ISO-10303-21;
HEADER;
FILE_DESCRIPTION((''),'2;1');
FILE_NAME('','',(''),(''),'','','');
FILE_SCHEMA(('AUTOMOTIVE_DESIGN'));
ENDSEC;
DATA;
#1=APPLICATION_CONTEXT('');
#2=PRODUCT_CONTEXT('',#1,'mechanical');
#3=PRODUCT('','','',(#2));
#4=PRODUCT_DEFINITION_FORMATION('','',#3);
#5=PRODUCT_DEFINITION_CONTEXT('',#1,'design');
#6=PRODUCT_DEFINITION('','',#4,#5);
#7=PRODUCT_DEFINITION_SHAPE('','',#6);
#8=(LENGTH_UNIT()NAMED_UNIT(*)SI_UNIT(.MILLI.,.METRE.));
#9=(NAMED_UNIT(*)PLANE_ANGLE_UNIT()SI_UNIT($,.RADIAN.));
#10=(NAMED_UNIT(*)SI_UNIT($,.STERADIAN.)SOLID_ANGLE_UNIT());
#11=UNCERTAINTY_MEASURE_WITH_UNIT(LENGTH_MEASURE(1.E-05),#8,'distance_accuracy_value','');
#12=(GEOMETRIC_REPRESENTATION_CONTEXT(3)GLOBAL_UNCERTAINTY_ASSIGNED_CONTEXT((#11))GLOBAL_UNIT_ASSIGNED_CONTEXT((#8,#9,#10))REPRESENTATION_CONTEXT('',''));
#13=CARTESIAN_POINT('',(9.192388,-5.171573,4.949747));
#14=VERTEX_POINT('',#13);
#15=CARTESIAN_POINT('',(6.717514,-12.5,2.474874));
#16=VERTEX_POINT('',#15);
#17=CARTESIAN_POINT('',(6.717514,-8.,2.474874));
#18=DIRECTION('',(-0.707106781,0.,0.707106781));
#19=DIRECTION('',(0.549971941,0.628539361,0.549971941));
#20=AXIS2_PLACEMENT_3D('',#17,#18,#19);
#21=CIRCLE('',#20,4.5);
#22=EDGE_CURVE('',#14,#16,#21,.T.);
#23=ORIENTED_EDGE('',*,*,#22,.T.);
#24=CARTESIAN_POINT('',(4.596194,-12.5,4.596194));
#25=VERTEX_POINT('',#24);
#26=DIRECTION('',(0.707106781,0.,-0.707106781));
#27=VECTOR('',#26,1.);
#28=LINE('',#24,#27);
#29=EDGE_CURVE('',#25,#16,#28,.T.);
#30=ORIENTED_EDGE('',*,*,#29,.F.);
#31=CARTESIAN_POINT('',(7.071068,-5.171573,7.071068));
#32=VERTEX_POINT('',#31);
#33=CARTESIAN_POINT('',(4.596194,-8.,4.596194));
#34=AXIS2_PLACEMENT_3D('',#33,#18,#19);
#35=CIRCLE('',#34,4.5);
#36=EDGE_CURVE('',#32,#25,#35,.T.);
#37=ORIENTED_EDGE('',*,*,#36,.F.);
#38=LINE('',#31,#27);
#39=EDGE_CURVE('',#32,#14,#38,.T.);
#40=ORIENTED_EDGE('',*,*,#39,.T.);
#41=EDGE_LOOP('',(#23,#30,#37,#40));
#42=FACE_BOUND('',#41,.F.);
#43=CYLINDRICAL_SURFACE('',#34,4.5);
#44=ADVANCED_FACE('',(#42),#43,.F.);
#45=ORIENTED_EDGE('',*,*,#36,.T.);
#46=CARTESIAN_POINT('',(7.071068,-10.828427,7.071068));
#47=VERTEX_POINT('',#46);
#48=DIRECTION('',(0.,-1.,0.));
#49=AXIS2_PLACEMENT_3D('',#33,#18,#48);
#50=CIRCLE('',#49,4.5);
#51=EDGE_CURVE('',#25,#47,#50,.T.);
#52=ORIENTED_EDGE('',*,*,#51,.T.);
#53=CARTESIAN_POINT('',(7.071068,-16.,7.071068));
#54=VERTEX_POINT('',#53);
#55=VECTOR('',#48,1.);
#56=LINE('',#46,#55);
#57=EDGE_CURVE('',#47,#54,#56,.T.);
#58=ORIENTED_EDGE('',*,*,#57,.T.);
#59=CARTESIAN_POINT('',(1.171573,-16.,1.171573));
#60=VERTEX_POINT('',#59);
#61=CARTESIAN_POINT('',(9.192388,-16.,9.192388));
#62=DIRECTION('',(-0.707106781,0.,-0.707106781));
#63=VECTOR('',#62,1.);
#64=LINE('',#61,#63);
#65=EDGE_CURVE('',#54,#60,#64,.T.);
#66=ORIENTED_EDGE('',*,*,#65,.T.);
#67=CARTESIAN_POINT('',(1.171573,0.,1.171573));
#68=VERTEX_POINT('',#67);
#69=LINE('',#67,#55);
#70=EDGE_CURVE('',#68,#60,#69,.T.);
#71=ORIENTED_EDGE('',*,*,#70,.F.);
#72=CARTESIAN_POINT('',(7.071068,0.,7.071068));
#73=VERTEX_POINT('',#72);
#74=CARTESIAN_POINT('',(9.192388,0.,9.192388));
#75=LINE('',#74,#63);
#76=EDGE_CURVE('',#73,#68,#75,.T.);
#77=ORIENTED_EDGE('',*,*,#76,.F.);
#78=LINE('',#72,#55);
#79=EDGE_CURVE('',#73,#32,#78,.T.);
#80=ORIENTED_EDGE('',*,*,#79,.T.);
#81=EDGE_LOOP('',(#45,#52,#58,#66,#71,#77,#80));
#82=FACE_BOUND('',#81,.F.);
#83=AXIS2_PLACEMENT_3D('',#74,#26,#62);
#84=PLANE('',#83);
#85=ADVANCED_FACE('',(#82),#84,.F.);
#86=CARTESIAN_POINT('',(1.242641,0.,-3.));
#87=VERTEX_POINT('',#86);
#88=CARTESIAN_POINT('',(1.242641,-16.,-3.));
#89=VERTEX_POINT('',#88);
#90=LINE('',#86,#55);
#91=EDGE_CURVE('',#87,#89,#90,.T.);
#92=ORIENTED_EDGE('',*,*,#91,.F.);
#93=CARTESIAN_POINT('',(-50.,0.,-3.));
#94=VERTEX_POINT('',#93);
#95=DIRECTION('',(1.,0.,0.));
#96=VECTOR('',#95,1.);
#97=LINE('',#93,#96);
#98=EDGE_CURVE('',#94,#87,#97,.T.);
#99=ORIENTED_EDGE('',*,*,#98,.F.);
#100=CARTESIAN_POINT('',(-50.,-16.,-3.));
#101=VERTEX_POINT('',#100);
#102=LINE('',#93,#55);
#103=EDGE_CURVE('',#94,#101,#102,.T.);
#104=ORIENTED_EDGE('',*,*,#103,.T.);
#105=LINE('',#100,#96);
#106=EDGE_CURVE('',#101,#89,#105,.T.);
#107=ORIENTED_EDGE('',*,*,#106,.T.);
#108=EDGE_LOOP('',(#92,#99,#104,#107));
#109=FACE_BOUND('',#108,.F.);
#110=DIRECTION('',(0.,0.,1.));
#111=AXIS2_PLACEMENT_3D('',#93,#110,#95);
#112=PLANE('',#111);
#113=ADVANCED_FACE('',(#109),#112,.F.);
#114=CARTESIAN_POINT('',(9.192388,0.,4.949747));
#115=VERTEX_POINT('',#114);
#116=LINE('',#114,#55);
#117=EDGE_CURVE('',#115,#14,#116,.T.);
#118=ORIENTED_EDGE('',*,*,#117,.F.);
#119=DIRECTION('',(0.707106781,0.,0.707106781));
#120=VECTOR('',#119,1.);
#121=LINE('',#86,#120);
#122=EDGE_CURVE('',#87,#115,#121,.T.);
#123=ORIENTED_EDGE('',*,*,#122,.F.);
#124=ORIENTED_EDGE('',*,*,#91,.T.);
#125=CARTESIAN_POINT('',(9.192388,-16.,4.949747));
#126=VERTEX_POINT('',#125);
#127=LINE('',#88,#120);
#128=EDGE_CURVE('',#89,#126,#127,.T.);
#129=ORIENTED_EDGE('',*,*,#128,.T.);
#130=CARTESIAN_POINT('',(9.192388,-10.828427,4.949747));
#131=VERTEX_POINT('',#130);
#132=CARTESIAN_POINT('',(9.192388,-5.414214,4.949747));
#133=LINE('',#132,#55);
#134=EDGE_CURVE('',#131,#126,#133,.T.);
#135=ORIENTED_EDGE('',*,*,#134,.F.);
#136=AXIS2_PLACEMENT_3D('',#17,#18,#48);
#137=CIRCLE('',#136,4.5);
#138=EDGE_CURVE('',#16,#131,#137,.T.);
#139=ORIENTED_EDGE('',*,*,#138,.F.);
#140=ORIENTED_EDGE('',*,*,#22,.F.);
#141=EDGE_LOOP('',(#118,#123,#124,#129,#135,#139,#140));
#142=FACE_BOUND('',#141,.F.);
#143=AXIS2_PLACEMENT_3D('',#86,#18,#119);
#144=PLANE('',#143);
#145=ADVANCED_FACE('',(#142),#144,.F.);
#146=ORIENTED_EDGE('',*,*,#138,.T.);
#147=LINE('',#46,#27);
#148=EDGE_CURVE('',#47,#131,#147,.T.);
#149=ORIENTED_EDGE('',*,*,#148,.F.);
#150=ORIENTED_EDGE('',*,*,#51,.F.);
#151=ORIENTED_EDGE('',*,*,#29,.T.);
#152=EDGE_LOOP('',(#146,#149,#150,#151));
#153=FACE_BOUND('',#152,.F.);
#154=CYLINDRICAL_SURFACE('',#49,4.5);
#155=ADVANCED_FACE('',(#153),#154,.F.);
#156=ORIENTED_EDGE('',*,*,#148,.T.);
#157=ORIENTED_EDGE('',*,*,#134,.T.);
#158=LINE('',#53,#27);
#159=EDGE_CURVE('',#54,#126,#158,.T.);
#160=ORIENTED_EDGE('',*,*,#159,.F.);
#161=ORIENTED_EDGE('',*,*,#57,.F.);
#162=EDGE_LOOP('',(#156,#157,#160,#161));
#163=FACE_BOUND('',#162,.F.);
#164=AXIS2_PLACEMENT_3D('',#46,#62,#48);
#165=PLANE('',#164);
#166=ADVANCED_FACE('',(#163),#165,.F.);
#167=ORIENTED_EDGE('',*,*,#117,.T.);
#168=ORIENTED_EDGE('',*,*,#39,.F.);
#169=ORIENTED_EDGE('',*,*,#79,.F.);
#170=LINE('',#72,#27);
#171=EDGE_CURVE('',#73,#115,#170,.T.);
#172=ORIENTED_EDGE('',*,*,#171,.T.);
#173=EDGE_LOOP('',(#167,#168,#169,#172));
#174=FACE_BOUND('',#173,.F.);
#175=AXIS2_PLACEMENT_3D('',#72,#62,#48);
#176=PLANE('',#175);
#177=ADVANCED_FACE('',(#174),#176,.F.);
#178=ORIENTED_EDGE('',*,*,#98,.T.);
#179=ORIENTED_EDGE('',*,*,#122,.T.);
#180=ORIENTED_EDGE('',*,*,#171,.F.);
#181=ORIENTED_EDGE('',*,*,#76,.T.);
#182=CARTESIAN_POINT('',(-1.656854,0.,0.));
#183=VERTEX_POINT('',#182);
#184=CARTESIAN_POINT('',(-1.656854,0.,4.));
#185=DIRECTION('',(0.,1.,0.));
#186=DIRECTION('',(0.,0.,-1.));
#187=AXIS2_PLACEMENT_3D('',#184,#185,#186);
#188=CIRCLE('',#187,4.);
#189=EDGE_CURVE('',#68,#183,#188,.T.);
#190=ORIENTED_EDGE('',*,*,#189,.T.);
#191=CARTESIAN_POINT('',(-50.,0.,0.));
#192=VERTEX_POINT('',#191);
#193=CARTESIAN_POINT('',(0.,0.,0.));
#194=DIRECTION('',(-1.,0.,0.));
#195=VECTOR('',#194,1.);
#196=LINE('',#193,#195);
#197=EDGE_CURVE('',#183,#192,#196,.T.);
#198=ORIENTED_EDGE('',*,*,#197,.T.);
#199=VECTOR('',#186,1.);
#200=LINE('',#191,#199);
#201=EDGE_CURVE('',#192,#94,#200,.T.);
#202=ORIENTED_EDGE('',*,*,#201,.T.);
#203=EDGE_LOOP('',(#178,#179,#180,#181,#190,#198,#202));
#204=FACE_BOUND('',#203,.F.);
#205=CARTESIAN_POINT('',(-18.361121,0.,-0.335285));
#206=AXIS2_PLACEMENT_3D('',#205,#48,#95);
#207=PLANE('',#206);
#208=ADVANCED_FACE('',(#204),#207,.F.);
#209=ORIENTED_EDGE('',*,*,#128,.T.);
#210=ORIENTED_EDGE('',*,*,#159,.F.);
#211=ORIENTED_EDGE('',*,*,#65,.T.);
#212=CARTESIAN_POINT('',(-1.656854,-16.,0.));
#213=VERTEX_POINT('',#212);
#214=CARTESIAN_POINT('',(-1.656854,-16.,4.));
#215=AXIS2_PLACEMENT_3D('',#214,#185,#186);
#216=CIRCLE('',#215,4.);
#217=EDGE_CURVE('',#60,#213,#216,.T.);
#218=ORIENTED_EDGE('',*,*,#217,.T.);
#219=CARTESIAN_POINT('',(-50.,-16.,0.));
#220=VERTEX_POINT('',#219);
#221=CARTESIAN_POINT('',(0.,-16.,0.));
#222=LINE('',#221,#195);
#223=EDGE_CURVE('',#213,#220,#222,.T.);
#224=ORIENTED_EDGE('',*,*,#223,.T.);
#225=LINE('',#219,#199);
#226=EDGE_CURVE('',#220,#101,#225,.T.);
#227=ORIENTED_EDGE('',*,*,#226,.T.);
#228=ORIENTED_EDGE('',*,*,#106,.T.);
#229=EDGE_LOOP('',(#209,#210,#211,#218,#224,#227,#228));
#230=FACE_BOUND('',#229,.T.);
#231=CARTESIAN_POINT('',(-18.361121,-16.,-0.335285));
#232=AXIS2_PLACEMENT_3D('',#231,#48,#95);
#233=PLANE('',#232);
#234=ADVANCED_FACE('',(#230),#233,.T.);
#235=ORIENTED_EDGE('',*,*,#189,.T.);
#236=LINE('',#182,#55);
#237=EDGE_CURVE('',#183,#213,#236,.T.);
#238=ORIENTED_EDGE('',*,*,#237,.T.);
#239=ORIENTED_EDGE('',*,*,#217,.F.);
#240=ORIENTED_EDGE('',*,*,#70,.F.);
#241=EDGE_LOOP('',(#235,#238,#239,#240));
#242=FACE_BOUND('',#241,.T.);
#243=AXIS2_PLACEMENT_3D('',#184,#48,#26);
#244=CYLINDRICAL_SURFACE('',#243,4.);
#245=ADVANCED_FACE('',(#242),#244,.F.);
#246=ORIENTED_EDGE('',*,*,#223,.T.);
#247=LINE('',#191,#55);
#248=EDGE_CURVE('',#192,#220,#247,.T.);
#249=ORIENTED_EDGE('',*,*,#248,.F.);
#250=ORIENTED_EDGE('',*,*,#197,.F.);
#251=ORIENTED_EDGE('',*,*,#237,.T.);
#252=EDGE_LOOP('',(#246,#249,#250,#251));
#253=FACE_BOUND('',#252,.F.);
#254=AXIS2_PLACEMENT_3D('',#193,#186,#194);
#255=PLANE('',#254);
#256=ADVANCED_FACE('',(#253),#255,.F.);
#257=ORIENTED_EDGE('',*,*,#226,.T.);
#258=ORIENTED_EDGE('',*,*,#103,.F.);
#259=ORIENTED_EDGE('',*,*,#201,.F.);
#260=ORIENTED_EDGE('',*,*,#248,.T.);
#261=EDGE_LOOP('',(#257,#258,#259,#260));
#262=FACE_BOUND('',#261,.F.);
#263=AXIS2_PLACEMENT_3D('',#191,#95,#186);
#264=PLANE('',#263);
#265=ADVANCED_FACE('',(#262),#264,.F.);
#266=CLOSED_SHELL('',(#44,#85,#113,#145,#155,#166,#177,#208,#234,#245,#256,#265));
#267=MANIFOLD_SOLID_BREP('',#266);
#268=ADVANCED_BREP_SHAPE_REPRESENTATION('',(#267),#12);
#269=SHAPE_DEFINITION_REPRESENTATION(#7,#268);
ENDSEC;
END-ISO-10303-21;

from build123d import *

# Parameters (mm, degrees)
F1_DEPTH = 16
F3_DEPTH = 25
F4_R     = 4


with BuildPart() as f1:
    # F0 (on Front) → F1 (new body)
    with BuildSketch(Plane.XZ):
        Polygon((9.1923881554, 9.1923881554), (0, 0), (-50, 0), (-50, -3), (1.2426406871, -3), (11.313708499, 7.0710678119), align=None)
    extrude(amount=F1_DEPTH)

    # F2 (on face) → F3 (cut)
    with BuildSketch(Plane(origin=(0, 0, 0), x_dir=(0, -1, 0), z_dir=(-0.7071067812, 0, 0.7071067812))):
        with BuildLine():
            Line((5.1715728753, 10), (10.8284271247, 10))
            ThreePointArc((10.8284271247, 10), (8, 11), (5.1715728753, 10))
        make_face()
        with BuildLine():
            ThreePointArc((5.1715728753, 10), (6.0606601718, 2.4393398282), (12.5, 6.5))
            ThreePointArc((12.5, 6.5), (12.0606601718, 8.4393398282), (10.8284271247, 10))
            Line((10.8284271247, 10), (5.1715728753, 10))
        make_face()
        with BuildLine():
            ThreePointArc((5.1715728753, 10), (8, 11), (10.8284271247, 10))
            Line((10.8284271247, 10), (16, 10))
            Line((16, 10), (16, 13))
            Line((16, 13), (0, 13))
            Line((0, 13), (0, 10))
            Line((0, 10), (5.1715728753, 10))
        make_face()
    extrude(amount=-F3_DEPTH, mode=Mode.SUBTRACT)

    # F4
    f4_edges = [f1.edges().sort_by_distance(p)[0] for p in [
        (0, -8, 0),
    ]]
    fillet(f4_edges, radius=F4_R)


solid = f1.part
